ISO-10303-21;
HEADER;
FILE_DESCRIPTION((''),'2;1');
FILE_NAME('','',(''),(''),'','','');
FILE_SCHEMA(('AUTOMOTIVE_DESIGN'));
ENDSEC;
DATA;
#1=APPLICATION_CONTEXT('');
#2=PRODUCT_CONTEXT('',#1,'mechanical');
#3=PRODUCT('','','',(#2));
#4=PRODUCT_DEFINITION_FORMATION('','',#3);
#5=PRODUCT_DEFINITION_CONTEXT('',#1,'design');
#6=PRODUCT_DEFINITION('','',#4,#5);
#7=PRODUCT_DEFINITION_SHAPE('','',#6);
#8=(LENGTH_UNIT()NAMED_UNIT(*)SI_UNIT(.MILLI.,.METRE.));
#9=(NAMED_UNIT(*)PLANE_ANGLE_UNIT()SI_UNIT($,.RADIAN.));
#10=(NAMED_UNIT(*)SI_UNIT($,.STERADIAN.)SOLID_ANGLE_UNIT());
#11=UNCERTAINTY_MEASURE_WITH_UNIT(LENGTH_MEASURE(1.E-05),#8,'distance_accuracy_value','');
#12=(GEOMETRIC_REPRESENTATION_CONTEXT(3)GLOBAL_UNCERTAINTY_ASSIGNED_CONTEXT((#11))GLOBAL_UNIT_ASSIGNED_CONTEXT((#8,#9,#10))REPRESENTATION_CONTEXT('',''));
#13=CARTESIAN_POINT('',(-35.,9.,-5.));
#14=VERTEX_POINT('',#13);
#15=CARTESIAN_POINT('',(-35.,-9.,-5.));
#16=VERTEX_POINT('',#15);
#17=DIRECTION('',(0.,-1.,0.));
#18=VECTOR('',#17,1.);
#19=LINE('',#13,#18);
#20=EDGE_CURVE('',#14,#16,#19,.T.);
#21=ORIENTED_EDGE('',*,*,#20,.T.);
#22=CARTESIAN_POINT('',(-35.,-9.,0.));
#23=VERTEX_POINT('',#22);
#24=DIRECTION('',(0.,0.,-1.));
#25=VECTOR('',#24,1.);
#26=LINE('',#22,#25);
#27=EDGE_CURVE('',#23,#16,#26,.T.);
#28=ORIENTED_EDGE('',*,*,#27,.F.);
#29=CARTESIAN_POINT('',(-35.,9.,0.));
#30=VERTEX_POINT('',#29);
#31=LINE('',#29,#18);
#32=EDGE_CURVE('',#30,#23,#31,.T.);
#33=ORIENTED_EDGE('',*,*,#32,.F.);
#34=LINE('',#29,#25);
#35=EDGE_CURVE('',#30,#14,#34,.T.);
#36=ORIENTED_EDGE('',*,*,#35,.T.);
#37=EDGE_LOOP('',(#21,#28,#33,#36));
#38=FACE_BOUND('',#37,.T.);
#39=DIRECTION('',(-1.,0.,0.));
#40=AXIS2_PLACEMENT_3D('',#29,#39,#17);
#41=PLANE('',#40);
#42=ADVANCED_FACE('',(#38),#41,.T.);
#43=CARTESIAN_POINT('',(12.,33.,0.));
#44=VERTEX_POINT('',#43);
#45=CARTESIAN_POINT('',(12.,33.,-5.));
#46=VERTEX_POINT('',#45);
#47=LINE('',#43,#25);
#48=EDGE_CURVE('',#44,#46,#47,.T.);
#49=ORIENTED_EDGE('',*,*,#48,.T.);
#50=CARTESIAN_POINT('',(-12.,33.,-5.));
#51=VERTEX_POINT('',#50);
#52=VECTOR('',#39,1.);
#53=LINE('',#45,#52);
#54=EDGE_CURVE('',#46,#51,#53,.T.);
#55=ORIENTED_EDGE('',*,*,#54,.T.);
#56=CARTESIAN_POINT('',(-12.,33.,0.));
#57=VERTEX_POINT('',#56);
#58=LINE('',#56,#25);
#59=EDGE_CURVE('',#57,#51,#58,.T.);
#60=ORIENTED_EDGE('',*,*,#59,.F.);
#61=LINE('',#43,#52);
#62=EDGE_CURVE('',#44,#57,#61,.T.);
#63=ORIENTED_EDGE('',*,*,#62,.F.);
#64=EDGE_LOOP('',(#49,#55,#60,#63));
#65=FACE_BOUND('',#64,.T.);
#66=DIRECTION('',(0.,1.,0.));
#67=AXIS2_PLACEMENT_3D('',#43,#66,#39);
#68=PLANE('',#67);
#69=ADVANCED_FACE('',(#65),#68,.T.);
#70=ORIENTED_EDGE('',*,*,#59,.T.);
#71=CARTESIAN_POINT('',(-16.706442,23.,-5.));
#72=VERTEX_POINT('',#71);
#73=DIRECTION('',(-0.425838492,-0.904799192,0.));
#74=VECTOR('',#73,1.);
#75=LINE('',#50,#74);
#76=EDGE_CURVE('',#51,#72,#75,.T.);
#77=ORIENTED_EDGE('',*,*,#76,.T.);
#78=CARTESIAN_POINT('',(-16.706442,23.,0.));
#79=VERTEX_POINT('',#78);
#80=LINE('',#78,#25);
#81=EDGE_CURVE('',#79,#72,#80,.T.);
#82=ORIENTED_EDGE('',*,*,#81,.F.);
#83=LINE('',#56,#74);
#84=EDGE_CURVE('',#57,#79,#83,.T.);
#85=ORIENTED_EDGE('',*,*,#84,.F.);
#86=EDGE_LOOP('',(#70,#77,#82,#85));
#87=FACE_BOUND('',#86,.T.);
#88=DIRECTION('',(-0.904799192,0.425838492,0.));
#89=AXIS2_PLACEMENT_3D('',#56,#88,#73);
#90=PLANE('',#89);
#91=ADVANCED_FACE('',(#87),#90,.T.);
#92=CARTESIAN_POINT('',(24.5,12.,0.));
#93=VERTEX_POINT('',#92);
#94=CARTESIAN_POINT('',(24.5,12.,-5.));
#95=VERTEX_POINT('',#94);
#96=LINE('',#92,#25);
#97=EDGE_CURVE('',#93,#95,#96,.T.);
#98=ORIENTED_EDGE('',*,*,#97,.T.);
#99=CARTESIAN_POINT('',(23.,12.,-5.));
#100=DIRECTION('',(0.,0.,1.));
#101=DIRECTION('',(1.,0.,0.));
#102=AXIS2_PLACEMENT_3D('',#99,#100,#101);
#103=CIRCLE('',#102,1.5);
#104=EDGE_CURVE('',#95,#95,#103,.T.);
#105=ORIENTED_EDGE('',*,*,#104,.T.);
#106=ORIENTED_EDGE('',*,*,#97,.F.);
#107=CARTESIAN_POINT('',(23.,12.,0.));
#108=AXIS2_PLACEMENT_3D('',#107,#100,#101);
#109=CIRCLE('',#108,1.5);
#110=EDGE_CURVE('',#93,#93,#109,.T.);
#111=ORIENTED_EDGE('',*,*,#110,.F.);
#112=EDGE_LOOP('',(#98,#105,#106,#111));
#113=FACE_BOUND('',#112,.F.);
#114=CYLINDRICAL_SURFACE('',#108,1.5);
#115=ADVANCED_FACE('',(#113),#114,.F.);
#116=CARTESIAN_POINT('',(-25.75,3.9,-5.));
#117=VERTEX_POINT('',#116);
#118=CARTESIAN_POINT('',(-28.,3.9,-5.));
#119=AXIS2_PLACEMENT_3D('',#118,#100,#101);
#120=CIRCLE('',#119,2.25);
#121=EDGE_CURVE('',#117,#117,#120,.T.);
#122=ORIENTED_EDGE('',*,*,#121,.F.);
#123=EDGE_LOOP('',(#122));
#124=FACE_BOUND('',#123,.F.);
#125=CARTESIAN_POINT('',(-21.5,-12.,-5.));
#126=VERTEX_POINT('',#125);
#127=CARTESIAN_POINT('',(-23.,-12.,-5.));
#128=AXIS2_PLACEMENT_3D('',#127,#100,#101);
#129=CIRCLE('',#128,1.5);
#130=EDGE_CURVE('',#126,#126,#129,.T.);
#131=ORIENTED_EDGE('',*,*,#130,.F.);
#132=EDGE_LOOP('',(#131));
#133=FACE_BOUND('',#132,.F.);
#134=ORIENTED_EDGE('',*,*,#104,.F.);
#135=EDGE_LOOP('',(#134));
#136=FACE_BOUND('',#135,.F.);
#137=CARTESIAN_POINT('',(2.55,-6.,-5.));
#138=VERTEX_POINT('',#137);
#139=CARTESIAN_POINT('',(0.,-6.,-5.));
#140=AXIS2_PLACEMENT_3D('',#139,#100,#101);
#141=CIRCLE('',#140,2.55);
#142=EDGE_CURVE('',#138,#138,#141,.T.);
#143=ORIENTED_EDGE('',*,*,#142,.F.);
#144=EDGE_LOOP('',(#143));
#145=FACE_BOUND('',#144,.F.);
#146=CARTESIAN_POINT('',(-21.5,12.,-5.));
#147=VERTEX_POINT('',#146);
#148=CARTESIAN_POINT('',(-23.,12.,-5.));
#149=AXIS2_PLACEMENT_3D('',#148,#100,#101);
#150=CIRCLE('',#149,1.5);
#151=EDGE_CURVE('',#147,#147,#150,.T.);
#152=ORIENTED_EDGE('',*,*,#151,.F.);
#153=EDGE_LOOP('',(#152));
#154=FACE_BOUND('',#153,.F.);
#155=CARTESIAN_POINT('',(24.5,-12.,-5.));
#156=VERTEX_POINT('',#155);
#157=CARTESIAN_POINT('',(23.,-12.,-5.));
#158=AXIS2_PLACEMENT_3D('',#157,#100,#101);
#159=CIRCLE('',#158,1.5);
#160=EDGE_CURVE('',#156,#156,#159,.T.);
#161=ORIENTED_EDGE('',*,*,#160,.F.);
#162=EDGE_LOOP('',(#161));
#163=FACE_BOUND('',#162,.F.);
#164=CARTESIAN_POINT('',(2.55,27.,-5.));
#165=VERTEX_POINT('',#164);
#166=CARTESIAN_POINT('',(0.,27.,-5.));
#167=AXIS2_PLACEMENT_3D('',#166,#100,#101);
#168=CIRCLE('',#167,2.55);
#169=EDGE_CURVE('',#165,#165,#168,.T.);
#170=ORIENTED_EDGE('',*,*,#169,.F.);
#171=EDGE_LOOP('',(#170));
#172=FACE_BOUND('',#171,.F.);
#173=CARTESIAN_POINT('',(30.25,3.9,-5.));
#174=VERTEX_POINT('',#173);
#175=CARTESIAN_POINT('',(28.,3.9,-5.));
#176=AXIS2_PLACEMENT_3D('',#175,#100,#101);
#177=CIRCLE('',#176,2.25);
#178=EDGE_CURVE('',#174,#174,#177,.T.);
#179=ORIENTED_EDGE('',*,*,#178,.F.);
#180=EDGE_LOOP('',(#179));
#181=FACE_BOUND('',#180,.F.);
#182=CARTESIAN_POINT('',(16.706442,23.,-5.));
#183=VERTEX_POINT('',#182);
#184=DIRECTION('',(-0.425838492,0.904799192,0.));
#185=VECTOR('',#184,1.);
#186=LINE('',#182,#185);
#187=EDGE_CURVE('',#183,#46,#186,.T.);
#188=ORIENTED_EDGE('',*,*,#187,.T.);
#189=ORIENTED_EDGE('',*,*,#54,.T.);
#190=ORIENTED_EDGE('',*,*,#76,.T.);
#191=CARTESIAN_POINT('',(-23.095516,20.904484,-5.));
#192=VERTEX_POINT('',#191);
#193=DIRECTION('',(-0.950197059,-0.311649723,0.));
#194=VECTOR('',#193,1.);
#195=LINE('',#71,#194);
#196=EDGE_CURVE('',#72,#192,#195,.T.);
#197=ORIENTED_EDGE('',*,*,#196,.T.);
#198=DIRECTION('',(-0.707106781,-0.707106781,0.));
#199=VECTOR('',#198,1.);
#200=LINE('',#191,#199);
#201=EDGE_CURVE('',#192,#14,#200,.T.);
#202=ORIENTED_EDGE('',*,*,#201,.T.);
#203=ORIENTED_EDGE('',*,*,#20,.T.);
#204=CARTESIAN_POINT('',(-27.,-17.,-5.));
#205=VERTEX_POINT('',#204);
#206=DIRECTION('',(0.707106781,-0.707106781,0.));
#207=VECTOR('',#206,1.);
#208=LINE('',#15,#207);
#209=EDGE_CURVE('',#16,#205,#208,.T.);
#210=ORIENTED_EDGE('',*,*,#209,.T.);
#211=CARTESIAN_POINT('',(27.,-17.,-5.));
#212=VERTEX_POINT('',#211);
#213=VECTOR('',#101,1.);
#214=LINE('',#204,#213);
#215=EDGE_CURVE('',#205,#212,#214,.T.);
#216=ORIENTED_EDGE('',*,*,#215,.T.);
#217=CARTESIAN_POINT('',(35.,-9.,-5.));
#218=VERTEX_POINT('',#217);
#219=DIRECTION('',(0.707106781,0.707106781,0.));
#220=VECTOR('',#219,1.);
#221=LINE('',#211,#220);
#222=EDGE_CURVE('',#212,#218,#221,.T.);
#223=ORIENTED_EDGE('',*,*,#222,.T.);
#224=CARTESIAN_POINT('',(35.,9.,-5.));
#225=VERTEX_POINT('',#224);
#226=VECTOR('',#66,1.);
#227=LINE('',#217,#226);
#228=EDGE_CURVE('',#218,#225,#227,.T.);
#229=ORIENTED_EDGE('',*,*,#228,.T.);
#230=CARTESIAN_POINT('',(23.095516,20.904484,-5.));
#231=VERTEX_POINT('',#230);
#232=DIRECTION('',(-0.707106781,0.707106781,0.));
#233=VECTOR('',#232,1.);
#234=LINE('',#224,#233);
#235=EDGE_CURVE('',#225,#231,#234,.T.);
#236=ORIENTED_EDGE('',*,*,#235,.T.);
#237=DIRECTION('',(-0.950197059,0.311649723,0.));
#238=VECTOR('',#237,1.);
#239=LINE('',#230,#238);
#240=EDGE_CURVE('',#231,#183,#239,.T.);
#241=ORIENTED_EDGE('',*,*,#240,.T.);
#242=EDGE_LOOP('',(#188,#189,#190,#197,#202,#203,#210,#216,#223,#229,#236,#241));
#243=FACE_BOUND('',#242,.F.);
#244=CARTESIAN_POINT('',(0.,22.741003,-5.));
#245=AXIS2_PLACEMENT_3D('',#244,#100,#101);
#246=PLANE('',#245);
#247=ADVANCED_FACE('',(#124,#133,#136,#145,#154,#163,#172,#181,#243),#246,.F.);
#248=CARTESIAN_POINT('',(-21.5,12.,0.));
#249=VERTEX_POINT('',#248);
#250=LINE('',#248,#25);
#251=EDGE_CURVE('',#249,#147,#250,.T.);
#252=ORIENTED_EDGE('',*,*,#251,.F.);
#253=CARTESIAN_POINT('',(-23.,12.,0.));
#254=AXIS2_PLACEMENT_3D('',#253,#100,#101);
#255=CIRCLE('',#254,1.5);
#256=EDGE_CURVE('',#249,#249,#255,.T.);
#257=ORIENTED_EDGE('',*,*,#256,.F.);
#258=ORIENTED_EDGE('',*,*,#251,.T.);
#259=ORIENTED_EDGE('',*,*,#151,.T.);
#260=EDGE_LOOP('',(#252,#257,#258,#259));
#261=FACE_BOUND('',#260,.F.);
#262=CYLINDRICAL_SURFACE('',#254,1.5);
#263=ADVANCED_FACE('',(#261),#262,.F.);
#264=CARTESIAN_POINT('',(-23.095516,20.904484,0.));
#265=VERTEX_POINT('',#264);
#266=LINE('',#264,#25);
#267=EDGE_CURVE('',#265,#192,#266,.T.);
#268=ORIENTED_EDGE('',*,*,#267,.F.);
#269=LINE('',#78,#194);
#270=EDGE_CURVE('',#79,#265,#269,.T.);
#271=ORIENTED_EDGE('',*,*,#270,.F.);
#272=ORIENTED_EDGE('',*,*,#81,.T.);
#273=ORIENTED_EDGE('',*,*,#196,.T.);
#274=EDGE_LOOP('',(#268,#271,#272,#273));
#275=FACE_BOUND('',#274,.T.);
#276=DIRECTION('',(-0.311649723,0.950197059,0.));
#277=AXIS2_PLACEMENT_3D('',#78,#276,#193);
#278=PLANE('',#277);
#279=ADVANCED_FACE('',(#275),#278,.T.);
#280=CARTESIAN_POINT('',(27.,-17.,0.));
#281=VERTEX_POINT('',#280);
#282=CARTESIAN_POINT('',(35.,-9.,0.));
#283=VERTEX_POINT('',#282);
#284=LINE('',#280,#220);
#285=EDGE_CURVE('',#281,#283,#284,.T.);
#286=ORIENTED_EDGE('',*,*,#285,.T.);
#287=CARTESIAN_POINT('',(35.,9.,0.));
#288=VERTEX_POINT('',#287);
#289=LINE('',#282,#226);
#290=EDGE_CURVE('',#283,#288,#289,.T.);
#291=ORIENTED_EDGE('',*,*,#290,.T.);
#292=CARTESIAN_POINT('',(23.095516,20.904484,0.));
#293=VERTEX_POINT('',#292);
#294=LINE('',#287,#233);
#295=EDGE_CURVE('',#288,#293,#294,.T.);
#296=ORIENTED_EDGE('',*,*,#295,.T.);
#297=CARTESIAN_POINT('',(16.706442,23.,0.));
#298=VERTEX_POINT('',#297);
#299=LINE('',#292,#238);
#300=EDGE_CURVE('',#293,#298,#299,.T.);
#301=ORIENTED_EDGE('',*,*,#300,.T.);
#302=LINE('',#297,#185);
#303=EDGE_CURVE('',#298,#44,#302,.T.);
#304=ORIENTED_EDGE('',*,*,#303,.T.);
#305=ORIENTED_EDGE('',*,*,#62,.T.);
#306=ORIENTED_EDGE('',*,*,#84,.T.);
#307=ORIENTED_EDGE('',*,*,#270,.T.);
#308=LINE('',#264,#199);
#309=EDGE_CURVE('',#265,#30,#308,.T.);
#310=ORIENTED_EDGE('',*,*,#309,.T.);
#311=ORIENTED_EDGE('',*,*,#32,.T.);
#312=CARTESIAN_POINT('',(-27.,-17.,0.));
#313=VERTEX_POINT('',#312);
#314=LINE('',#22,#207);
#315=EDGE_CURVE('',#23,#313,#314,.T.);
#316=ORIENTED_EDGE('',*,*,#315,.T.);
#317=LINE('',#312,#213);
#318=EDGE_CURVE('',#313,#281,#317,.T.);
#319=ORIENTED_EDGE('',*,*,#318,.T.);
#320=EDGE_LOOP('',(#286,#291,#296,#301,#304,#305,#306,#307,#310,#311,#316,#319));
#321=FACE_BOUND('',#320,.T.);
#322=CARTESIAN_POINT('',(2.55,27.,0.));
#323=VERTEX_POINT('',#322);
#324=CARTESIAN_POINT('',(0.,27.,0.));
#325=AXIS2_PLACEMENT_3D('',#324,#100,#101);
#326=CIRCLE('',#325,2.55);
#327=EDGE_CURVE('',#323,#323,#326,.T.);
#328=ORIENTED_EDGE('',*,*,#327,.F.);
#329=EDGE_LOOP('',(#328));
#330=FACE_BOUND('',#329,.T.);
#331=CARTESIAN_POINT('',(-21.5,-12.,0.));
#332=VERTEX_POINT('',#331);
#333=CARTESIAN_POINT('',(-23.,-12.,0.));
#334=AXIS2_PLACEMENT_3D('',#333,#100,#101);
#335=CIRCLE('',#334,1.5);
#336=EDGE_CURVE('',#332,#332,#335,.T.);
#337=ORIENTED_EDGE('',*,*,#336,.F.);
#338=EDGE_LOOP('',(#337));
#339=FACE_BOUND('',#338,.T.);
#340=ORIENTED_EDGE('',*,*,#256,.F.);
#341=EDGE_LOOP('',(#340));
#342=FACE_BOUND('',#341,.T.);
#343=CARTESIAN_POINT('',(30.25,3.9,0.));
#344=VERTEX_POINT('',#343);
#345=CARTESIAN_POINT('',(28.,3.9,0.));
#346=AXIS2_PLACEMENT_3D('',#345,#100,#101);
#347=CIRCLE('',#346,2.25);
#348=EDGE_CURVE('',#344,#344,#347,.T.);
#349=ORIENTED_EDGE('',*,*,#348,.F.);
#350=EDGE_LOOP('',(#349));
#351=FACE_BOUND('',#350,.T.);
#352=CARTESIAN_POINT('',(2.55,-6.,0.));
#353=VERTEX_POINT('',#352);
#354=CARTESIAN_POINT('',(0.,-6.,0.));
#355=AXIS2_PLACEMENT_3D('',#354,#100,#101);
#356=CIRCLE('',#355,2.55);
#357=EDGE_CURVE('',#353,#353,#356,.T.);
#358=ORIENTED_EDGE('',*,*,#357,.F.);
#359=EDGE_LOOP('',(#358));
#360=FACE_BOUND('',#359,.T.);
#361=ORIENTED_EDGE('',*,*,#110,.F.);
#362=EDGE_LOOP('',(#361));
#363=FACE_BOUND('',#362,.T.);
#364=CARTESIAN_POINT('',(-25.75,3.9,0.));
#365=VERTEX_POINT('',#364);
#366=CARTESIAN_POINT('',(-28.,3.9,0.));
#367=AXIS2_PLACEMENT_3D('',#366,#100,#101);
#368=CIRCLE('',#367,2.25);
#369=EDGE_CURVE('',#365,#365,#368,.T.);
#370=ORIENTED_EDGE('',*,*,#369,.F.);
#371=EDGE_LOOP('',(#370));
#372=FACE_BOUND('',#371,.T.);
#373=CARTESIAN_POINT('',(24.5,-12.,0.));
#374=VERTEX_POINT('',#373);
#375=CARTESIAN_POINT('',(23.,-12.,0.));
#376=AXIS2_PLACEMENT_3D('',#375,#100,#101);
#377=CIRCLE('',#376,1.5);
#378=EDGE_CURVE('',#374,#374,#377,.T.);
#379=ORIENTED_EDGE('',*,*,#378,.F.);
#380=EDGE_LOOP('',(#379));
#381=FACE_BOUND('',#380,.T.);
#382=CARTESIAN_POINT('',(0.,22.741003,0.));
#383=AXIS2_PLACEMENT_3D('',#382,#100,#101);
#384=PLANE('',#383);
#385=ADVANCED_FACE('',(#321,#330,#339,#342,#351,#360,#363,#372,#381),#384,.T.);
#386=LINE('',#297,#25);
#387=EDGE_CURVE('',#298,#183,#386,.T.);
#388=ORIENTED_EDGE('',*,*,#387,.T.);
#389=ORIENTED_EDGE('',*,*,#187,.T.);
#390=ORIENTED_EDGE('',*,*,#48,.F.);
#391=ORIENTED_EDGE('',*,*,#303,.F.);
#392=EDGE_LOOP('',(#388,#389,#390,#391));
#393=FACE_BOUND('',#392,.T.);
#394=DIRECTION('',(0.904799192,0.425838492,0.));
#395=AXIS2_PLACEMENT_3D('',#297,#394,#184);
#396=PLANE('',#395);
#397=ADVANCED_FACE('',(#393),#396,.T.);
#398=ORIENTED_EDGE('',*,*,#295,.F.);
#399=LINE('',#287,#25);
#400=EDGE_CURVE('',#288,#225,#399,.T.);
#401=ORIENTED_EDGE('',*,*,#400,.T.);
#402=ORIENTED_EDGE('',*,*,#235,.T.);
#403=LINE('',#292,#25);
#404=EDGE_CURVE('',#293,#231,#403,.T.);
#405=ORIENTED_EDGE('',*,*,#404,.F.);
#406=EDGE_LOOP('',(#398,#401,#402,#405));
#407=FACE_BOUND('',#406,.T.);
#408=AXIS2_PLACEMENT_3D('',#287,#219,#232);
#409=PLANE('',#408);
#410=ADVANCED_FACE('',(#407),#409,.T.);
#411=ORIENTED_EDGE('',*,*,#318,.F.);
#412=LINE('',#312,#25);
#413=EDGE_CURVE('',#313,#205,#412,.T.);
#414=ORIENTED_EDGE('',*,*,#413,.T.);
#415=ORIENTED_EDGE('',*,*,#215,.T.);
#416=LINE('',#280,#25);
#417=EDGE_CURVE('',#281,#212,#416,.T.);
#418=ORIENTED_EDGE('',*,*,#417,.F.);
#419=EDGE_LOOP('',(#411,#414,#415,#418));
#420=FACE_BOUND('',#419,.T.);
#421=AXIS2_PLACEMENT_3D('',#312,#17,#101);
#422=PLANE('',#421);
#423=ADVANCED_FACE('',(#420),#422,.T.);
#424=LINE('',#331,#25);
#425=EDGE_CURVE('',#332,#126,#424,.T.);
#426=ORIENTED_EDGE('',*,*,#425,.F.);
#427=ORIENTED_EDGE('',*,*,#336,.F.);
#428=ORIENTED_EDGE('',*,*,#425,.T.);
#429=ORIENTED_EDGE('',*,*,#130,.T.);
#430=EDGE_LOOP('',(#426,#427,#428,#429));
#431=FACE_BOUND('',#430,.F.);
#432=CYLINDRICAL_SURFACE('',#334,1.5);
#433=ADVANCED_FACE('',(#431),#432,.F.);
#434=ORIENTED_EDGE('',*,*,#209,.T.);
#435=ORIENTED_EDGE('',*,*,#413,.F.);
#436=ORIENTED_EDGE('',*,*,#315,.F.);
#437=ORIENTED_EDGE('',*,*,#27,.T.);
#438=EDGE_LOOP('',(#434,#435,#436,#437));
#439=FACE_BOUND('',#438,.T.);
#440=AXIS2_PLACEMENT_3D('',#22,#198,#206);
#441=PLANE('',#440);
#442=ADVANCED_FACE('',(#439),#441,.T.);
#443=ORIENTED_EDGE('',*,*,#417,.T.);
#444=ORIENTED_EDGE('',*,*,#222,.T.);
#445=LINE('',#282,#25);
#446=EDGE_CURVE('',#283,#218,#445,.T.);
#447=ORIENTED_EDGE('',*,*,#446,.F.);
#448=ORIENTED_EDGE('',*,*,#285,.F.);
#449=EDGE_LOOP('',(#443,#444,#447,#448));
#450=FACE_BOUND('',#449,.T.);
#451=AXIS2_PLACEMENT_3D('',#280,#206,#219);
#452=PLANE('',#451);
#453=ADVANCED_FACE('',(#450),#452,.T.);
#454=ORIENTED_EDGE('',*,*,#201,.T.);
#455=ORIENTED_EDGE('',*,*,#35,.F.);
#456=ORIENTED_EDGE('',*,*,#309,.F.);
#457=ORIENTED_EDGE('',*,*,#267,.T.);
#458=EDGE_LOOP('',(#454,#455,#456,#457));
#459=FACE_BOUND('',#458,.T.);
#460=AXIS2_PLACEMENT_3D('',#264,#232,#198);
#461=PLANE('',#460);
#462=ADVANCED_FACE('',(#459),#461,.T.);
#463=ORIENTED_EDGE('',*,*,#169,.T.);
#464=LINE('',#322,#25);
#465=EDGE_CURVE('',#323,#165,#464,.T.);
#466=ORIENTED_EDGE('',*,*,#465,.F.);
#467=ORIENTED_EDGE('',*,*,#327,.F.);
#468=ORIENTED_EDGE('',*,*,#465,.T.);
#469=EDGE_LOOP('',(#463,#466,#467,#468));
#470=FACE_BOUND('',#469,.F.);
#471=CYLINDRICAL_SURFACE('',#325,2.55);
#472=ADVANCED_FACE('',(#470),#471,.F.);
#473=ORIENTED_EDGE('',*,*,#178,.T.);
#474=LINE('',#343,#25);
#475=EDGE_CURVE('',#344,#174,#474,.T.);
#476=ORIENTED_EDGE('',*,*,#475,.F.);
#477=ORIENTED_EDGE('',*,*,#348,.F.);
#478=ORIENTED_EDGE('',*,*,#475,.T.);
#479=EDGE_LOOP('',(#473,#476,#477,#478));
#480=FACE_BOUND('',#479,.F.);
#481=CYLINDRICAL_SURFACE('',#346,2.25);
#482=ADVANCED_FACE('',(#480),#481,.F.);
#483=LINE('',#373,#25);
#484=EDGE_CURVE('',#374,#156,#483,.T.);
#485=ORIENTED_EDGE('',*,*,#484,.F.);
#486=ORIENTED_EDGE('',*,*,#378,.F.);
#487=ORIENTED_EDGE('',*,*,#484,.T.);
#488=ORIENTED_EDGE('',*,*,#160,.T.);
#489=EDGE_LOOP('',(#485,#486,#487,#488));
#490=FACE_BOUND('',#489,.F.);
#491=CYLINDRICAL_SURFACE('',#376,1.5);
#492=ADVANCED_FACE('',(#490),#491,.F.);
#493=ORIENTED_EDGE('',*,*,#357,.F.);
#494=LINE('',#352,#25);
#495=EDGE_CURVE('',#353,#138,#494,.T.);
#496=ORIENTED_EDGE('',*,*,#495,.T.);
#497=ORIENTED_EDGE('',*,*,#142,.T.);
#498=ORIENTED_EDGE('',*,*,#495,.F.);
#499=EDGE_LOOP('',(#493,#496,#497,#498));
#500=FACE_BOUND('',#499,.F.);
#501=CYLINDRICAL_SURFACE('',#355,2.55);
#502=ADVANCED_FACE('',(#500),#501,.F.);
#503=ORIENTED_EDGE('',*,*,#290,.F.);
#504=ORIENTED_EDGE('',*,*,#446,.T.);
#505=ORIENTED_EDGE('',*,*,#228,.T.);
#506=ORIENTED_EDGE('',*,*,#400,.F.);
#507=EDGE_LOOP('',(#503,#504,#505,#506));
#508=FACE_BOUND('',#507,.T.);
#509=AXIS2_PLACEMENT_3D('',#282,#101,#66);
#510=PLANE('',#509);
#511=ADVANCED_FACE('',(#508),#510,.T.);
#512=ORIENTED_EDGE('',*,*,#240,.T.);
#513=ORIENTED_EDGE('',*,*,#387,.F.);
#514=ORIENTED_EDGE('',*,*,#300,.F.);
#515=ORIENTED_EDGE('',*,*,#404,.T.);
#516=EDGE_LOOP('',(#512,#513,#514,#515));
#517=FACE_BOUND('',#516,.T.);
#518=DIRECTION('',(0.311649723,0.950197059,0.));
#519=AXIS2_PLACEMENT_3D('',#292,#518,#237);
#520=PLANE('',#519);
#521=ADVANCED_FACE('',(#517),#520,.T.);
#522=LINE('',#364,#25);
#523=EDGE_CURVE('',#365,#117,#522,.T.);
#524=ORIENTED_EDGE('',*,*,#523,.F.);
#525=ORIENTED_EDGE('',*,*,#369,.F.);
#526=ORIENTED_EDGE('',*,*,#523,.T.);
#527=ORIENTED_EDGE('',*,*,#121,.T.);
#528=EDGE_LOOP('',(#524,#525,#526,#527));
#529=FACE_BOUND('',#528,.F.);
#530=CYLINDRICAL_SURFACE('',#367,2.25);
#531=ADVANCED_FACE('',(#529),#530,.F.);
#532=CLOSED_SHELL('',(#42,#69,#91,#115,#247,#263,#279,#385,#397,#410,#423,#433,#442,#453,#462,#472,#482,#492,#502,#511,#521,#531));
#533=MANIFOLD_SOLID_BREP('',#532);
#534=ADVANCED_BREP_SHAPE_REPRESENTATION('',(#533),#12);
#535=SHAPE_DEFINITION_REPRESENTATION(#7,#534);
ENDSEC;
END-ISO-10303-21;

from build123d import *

# Parameters (mm, degrees)
F0_R     = 2.55
F0_R_2   = 1.5
F0_R_3   = 2.25
F1_DEPTH = 5


with BuildPart() as f1:
    # F0 (on Top) → F1 (new body)
    with BuildSketch(Plane.XY):
        Polygon((-27, 17), (27, 17), (23.095516, 20.904484), (16.706442, 23), (12, 33), (-12, 33), (-16.706442, 23), (-23.095516, 20.904484), align=None)
        with Locations((0, 27)):
            Circle(F0_R, mode=Mode.SUBTRACT)
        Polygon((-27, -17), (27, -17), (35, -9), (35, 9), (27, 17), (-27, 17), (-35, 9), (-35, -9), align=None)
        with Locations((-23, -12)):
            Circle(F0_R_2, mode=Mode.SUBTRACT)
        with Locations((-28, 3.9)):
            Circle(F0_R_3, mode=Mode.SUBTRACT)
        with Locations((0, -6)):
            Circle(F0_R, mode=Mode.SUBTRACT)
        with Locations((23, -12)):
            Circle(F0_R_2, mode=Mode.SUBTRACT)
        with Locations((28, 3.9)):
            Circle(F0_R_3, mode=Mode.SUBTRACT)
        with Locations((-23, 12)):
            Circle(F0_R_2, mode=Mode.SUBTRACT)
        with Locations((23, 12)):
            Circle(F0_R_2, mode=Mode.SUBTRACT)
    extrude(amount=-F1_DEPTH)


solid = f1.part
